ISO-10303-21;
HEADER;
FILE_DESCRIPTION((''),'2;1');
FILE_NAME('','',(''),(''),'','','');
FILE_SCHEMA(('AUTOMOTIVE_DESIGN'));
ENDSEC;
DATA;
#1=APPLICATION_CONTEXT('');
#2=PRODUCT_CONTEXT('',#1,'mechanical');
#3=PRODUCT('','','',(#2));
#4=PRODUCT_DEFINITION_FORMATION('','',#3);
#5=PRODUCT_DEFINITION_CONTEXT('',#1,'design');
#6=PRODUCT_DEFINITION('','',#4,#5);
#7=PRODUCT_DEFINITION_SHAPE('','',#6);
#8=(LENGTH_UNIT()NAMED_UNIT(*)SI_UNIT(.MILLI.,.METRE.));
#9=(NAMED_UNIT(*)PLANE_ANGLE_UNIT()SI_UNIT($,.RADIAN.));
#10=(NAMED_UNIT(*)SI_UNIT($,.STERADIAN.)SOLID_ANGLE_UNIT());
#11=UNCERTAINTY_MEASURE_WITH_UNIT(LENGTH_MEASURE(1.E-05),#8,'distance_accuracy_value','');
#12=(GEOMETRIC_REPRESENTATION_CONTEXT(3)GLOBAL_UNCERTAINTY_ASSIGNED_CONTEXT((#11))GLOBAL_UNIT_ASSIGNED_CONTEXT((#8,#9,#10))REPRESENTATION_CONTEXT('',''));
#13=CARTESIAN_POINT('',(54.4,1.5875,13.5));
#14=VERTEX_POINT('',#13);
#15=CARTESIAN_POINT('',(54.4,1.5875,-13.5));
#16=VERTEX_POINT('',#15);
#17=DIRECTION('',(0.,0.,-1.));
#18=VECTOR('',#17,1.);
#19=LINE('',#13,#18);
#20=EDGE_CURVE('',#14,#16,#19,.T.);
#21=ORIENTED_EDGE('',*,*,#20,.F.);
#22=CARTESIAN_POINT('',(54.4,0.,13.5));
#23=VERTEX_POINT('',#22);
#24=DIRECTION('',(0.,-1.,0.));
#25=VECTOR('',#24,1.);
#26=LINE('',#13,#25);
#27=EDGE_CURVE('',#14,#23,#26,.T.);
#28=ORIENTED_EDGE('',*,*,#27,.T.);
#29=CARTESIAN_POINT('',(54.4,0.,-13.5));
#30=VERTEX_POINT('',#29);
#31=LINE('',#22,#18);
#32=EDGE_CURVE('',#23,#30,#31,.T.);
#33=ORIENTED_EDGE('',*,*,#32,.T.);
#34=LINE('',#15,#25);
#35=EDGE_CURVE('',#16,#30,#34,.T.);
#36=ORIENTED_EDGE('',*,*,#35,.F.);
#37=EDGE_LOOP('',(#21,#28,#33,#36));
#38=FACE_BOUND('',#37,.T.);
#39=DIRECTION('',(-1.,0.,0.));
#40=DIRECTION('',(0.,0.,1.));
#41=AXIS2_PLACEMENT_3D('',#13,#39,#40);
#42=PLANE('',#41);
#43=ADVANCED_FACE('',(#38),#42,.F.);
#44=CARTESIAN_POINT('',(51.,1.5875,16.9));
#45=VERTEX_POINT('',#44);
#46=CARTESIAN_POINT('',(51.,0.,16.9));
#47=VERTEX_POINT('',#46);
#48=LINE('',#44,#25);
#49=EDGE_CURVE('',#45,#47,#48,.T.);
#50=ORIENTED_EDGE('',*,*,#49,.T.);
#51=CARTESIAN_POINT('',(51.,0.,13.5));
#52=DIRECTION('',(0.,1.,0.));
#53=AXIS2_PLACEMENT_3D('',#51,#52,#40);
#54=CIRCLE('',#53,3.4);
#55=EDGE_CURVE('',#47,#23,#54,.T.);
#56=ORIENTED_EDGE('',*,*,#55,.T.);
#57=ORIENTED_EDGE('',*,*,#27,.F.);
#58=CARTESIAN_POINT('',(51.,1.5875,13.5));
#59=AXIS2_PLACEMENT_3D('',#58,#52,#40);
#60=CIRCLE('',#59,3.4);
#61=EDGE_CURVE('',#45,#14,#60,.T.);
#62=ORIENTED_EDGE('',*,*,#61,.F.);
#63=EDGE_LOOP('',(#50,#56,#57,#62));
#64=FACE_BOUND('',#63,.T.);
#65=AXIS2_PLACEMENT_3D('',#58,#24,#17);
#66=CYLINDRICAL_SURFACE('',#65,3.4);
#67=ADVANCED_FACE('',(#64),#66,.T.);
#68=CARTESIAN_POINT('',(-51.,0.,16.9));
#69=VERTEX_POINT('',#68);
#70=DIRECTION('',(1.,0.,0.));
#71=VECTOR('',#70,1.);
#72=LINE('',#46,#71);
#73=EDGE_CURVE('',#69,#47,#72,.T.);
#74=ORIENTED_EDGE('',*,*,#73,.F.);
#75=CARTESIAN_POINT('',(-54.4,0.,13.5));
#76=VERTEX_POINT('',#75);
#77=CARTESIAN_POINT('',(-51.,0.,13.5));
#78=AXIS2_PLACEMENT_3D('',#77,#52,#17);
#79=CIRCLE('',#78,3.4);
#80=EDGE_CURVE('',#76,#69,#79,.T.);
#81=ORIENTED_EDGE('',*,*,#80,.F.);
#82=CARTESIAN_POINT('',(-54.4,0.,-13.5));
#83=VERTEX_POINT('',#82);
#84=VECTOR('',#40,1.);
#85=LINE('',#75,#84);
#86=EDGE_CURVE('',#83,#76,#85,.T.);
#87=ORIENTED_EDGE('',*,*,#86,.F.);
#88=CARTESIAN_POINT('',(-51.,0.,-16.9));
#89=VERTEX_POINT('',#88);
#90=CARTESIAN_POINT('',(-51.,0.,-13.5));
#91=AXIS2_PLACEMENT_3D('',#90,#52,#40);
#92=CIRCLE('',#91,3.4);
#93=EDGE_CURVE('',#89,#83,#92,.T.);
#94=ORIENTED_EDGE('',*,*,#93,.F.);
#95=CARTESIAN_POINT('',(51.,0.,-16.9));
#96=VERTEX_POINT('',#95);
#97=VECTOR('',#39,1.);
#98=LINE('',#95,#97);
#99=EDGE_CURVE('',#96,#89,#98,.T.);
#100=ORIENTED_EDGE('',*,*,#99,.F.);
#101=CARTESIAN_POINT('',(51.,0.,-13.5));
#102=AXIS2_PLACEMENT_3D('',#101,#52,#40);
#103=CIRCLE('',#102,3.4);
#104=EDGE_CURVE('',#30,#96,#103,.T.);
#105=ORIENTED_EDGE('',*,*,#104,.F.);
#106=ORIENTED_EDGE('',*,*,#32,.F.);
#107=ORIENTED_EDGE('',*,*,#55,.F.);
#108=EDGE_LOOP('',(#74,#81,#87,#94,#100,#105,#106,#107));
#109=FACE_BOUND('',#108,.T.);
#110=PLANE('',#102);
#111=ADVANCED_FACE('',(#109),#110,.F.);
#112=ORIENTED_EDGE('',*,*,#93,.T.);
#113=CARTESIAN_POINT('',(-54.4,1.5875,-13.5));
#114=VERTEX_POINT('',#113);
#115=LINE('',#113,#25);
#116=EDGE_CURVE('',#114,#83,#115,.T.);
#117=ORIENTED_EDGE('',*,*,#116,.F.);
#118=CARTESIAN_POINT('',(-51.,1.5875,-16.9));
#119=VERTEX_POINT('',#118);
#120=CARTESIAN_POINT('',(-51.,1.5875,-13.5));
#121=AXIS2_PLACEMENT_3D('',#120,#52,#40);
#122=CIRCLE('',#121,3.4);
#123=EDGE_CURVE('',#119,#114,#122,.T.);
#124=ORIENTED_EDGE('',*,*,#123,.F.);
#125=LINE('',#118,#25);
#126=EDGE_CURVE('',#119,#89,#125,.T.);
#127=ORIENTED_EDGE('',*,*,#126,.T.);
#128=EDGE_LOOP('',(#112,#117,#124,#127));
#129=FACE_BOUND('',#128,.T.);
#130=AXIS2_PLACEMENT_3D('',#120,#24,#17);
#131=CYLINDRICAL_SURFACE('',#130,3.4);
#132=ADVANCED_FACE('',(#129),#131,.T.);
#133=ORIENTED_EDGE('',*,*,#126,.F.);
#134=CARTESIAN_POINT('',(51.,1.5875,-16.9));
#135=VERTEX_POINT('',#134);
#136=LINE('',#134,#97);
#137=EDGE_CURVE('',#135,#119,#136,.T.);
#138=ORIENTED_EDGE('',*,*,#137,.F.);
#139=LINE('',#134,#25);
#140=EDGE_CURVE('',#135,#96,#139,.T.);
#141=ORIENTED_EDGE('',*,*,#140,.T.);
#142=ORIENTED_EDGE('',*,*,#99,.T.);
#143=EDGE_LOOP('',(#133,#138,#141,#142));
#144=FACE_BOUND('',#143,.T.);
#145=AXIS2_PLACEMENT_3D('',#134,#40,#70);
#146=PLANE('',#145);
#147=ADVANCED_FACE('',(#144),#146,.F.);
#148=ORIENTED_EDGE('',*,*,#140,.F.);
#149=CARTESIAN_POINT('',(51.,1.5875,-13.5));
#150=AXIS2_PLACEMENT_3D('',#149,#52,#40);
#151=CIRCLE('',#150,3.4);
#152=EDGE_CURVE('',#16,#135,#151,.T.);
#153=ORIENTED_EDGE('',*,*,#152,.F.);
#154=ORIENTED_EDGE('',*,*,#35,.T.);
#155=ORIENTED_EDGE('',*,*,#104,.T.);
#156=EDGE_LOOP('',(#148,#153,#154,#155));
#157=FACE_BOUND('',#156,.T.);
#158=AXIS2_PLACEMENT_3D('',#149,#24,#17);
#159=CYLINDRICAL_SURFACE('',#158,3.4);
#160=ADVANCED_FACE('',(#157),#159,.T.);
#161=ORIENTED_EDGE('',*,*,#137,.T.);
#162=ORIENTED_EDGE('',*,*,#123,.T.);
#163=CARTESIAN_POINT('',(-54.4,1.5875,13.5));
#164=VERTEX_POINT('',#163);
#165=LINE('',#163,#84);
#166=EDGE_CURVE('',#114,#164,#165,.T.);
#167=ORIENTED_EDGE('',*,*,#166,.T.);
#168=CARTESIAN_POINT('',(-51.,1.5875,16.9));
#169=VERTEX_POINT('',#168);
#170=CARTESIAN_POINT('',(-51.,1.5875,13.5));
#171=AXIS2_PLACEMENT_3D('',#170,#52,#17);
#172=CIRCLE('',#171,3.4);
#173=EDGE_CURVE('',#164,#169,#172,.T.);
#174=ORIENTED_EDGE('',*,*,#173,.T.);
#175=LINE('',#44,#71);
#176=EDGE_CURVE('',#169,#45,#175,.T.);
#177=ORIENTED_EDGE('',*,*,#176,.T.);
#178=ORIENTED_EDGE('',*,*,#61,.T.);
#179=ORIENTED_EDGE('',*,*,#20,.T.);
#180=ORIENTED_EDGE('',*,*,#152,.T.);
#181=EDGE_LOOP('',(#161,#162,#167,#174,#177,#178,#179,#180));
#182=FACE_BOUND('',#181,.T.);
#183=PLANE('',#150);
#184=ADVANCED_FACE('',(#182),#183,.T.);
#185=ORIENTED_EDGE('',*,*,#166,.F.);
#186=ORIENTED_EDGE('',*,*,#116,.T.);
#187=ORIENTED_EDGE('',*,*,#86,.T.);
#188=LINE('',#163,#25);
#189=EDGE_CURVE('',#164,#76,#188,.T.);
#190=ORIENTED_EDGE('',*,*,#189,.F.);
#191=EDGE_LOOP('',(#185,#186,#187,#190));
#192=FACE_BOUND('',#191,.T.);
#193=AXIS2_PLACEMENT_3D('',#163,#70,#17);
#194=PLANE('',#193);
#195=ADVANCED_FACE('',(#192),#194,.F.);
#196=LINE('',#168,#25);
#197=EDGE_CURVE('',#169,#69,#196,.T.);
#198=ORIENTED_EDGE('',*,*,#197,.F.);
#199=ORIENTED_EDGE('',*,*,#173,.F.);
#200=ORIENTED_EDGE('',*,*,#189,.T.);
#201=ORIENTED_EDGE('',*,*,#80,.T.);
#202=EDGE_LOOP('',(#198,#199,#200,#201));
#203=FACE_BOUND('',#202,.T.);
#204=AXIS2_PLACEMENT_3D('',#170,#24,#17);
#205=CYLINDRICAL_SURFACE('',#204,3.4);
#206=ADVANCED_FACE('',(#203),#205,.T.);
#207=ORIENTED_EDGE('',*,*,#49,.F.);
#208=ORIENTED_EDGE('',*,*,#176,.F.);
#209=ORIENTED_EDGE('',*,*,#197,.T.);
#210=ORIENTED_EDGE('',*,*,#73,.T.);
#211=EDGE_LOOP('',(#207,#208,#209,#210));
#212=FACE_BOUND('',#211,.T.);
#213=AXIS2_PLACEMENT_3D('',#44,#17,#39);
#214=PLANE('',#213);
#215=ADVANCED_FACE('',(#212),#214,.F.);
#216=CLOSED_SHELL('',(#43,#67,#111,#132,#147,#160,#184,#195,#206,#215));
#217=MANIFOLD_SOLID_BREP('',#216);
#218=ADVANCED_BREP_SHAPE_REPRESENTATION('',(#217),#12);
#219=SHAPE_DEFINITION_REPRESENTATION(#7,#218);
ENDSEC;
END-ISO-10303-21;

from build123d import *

# Parameters (mm, degrees)
BOSS_EXTRUDE1_DEPTH = 1.5875


with BuildPart() as part:
    # Sketch1 → Boss-Extrude1 (new body)
    with BuildSketch(Plane(origin=(0, 0, 0), x_dir=(1, 0, 0), z_dir=(0, 1, 0))):
        with BuildLine():
            Line((51, -16.9), (-51, -16.9))
            ThreePointArc((-51, -16.9), (-53.404163056, -15.904163056), (-54.4, -13.5))
            Line((-54.4, -13.5), (-54.4, 13.5))
            ThreePointArc((-54.4, 13.5), (-53.404163056, 15.904163056), (-51, 16.9))
            Line((-51, 16.9), (51, 16.9))
            ThreePointArc((51, 16.9), (53.404163056, 15.904163056), (54.4, 13.5))
            Line((54.4, 13.5), (54.4, -13.5))
            ThreePointArc((54.4, -13.5), (53.404163056, -15.904163056), (51, -16.9))
        make_face()
    extrude(amount=BOSS_EXTRUDE1_DEPTH)


solid = part.part
